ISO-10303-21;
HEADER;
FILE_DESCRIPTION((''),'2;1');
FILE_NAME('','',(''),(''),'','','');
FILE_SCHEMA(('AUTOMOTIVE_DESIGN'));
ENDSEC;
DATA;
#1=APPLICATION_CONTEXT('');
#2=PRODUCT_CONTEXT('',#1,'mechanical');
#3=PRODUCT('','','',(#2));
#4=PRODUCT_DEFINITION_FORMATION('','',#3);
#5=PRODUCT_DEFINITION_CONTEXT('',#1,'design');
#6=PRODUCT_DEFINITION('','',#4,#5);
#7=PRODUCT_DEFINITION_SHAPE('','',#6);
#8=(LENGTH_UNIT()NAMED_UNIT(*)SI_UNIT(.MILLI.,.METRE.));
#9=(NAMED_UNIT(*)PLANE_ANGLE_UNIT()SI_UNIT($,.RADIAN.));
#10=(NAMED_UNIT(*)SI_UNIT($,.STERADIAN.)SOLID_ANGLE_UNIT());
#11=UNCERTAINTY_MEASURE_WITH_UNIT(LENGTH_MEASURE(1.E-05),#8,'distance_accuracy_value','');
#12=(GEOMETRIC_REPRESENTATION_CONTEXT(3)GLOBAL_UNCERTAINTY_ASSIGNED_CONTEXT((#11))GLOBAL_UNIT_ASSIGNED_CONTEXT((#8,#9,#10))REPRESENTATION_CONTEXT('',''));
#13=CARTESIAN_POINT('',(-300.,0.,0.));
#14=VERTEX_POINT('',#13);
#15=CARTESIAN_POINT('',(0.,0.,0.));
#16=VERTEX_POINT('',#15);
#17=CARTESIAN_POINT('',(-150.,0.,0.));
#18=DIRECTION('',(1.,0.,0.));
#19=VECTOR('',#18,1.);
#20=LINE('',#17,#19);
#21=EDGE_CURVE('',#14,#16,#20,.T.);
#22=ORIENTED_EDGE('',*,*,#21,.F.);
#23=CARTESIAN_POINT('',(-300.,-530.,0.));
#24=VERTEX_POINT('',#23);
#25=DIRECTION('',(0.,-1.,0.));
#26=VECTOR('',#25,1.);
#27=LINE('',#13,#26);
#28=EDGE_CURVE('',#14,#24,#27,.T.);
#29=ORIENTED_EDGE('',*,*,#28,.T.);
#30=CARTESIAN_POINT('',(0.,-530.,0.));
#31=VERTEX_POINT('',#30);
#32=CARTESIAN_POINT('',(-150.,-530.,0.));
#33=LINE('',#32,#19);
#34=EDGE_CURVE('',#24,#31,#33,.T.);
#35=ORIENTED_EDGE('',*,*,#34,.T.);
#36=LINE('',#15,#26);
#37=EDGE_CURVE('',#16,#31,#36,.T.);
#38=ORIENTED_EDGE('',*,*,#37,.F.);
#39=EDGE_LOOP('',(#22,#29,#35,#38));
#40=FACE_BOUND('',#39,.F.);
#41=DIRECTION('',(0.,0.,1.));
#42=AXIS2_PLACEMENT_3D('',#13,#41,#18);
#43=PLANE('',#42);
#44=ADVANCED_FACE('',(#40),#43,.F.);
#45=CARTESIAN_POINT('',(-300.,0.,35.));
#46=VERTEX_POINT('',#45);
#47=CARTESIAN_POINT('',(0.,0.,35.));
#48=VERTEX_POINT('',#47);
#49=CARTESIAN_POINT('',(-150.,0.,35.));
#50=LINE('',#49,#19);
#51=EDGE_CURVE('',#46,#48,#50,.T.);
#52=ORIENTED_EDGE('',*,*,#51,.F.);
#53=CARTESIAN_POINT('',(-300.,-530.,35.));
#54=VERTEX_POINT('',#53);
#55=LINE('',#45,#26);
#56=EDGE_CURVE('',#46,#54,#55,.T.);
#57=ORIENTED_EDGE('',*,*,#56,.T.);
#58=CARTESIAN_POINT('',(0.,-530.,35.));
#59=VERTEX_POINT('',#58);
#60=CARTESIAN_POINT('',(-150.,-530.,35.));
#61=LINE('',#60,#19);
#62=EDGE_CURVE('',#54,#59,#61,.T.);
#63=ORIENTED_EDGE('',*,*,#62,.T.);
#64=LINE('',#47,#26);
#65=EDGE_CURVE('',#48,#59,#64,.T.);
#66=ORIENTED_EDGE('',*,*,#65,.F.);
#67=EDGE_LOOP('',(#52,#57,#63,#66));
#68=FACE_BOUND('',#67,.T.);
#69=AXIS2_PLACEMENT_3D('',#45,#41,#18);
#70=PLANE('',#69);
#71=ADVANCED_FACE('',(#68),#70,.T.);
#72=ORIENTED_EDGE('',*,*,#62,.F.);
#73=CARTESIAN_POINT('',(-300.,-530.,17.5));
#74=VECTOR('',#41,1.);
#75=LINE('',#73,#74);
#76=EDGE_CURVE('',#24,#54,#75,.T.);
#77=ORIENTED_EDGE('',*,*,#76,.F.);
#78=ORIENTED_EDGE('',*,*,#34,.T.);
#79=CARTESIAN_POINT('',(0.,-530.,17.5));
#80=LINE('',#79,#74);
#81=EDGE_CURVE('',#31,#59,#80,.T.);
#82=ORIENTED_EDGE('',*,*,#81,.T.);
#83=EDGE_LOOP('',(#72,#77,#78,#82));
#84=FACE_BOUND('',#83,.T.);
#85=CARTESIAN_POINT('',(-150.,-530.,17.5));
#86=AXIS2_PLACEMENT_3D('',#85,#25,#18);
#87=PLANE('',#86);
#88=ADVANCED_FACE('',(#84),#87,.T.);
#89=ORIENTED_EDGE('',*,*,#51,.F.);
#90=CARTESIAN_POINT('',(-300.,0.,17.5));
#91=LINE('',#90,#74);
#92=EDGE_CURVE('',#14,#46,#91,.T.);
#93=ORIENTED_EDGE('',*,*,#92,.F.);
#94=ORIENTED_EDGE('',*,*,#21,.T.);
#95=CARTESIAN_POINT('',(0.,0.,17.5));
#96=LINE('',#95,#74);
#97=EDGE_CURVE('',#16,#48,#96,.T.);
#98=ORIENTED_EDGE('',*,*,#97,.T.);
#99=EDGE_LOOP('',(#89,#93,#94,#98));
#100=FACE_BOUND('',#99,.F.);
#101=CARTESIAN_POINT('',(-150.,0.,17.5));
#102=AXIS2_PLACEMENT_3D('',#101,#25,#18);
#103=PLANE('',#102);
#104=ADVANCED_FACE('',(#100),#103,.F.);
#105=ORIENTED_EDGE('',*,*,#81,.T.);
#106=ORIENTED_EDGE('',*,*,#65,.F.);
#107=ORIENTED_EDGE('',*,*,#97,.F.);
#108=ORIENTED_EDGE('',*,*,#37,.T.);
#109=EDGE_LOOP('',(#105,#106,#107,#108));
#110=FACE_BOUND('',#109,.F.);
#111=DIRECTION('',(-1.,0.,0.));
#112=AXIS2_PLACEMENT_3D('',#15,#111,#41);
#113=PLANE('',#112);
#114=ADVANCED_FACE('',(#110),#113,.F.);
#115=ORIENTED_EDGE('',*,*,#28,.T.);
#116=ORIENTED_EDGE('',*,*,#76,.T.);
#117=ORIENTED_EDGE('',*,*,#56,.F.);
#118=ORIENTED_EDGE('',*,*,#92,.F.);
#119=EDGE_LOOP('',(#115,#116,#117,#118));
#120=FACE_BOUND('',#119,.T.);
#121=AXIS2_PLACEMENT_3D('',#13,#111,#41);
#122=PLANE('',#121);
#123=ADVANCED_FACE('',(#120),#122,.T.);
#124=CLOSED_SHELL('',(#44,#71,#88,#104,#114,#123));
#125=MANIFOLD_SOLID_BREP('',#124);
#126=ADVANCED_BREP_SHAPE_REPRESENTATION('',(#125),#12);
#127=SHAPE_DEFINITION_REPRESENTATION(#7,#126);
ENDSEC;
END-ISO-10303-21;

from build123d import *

# Parameters (mm, degrees)
SKETCH_W  = 300
SKETCH_H  = 35
PAD_DEPTH = 530


with BuildPart() as part:
    # Sketch → Pad (new body)
    with BuildSketch(Plane.XZ):
        with Locations((-150, 17.5)):
            Rectangle(SKETCH_W, SKETCH_H)
    extrude(amount=PAD_DEPTH)


solid = part.part
